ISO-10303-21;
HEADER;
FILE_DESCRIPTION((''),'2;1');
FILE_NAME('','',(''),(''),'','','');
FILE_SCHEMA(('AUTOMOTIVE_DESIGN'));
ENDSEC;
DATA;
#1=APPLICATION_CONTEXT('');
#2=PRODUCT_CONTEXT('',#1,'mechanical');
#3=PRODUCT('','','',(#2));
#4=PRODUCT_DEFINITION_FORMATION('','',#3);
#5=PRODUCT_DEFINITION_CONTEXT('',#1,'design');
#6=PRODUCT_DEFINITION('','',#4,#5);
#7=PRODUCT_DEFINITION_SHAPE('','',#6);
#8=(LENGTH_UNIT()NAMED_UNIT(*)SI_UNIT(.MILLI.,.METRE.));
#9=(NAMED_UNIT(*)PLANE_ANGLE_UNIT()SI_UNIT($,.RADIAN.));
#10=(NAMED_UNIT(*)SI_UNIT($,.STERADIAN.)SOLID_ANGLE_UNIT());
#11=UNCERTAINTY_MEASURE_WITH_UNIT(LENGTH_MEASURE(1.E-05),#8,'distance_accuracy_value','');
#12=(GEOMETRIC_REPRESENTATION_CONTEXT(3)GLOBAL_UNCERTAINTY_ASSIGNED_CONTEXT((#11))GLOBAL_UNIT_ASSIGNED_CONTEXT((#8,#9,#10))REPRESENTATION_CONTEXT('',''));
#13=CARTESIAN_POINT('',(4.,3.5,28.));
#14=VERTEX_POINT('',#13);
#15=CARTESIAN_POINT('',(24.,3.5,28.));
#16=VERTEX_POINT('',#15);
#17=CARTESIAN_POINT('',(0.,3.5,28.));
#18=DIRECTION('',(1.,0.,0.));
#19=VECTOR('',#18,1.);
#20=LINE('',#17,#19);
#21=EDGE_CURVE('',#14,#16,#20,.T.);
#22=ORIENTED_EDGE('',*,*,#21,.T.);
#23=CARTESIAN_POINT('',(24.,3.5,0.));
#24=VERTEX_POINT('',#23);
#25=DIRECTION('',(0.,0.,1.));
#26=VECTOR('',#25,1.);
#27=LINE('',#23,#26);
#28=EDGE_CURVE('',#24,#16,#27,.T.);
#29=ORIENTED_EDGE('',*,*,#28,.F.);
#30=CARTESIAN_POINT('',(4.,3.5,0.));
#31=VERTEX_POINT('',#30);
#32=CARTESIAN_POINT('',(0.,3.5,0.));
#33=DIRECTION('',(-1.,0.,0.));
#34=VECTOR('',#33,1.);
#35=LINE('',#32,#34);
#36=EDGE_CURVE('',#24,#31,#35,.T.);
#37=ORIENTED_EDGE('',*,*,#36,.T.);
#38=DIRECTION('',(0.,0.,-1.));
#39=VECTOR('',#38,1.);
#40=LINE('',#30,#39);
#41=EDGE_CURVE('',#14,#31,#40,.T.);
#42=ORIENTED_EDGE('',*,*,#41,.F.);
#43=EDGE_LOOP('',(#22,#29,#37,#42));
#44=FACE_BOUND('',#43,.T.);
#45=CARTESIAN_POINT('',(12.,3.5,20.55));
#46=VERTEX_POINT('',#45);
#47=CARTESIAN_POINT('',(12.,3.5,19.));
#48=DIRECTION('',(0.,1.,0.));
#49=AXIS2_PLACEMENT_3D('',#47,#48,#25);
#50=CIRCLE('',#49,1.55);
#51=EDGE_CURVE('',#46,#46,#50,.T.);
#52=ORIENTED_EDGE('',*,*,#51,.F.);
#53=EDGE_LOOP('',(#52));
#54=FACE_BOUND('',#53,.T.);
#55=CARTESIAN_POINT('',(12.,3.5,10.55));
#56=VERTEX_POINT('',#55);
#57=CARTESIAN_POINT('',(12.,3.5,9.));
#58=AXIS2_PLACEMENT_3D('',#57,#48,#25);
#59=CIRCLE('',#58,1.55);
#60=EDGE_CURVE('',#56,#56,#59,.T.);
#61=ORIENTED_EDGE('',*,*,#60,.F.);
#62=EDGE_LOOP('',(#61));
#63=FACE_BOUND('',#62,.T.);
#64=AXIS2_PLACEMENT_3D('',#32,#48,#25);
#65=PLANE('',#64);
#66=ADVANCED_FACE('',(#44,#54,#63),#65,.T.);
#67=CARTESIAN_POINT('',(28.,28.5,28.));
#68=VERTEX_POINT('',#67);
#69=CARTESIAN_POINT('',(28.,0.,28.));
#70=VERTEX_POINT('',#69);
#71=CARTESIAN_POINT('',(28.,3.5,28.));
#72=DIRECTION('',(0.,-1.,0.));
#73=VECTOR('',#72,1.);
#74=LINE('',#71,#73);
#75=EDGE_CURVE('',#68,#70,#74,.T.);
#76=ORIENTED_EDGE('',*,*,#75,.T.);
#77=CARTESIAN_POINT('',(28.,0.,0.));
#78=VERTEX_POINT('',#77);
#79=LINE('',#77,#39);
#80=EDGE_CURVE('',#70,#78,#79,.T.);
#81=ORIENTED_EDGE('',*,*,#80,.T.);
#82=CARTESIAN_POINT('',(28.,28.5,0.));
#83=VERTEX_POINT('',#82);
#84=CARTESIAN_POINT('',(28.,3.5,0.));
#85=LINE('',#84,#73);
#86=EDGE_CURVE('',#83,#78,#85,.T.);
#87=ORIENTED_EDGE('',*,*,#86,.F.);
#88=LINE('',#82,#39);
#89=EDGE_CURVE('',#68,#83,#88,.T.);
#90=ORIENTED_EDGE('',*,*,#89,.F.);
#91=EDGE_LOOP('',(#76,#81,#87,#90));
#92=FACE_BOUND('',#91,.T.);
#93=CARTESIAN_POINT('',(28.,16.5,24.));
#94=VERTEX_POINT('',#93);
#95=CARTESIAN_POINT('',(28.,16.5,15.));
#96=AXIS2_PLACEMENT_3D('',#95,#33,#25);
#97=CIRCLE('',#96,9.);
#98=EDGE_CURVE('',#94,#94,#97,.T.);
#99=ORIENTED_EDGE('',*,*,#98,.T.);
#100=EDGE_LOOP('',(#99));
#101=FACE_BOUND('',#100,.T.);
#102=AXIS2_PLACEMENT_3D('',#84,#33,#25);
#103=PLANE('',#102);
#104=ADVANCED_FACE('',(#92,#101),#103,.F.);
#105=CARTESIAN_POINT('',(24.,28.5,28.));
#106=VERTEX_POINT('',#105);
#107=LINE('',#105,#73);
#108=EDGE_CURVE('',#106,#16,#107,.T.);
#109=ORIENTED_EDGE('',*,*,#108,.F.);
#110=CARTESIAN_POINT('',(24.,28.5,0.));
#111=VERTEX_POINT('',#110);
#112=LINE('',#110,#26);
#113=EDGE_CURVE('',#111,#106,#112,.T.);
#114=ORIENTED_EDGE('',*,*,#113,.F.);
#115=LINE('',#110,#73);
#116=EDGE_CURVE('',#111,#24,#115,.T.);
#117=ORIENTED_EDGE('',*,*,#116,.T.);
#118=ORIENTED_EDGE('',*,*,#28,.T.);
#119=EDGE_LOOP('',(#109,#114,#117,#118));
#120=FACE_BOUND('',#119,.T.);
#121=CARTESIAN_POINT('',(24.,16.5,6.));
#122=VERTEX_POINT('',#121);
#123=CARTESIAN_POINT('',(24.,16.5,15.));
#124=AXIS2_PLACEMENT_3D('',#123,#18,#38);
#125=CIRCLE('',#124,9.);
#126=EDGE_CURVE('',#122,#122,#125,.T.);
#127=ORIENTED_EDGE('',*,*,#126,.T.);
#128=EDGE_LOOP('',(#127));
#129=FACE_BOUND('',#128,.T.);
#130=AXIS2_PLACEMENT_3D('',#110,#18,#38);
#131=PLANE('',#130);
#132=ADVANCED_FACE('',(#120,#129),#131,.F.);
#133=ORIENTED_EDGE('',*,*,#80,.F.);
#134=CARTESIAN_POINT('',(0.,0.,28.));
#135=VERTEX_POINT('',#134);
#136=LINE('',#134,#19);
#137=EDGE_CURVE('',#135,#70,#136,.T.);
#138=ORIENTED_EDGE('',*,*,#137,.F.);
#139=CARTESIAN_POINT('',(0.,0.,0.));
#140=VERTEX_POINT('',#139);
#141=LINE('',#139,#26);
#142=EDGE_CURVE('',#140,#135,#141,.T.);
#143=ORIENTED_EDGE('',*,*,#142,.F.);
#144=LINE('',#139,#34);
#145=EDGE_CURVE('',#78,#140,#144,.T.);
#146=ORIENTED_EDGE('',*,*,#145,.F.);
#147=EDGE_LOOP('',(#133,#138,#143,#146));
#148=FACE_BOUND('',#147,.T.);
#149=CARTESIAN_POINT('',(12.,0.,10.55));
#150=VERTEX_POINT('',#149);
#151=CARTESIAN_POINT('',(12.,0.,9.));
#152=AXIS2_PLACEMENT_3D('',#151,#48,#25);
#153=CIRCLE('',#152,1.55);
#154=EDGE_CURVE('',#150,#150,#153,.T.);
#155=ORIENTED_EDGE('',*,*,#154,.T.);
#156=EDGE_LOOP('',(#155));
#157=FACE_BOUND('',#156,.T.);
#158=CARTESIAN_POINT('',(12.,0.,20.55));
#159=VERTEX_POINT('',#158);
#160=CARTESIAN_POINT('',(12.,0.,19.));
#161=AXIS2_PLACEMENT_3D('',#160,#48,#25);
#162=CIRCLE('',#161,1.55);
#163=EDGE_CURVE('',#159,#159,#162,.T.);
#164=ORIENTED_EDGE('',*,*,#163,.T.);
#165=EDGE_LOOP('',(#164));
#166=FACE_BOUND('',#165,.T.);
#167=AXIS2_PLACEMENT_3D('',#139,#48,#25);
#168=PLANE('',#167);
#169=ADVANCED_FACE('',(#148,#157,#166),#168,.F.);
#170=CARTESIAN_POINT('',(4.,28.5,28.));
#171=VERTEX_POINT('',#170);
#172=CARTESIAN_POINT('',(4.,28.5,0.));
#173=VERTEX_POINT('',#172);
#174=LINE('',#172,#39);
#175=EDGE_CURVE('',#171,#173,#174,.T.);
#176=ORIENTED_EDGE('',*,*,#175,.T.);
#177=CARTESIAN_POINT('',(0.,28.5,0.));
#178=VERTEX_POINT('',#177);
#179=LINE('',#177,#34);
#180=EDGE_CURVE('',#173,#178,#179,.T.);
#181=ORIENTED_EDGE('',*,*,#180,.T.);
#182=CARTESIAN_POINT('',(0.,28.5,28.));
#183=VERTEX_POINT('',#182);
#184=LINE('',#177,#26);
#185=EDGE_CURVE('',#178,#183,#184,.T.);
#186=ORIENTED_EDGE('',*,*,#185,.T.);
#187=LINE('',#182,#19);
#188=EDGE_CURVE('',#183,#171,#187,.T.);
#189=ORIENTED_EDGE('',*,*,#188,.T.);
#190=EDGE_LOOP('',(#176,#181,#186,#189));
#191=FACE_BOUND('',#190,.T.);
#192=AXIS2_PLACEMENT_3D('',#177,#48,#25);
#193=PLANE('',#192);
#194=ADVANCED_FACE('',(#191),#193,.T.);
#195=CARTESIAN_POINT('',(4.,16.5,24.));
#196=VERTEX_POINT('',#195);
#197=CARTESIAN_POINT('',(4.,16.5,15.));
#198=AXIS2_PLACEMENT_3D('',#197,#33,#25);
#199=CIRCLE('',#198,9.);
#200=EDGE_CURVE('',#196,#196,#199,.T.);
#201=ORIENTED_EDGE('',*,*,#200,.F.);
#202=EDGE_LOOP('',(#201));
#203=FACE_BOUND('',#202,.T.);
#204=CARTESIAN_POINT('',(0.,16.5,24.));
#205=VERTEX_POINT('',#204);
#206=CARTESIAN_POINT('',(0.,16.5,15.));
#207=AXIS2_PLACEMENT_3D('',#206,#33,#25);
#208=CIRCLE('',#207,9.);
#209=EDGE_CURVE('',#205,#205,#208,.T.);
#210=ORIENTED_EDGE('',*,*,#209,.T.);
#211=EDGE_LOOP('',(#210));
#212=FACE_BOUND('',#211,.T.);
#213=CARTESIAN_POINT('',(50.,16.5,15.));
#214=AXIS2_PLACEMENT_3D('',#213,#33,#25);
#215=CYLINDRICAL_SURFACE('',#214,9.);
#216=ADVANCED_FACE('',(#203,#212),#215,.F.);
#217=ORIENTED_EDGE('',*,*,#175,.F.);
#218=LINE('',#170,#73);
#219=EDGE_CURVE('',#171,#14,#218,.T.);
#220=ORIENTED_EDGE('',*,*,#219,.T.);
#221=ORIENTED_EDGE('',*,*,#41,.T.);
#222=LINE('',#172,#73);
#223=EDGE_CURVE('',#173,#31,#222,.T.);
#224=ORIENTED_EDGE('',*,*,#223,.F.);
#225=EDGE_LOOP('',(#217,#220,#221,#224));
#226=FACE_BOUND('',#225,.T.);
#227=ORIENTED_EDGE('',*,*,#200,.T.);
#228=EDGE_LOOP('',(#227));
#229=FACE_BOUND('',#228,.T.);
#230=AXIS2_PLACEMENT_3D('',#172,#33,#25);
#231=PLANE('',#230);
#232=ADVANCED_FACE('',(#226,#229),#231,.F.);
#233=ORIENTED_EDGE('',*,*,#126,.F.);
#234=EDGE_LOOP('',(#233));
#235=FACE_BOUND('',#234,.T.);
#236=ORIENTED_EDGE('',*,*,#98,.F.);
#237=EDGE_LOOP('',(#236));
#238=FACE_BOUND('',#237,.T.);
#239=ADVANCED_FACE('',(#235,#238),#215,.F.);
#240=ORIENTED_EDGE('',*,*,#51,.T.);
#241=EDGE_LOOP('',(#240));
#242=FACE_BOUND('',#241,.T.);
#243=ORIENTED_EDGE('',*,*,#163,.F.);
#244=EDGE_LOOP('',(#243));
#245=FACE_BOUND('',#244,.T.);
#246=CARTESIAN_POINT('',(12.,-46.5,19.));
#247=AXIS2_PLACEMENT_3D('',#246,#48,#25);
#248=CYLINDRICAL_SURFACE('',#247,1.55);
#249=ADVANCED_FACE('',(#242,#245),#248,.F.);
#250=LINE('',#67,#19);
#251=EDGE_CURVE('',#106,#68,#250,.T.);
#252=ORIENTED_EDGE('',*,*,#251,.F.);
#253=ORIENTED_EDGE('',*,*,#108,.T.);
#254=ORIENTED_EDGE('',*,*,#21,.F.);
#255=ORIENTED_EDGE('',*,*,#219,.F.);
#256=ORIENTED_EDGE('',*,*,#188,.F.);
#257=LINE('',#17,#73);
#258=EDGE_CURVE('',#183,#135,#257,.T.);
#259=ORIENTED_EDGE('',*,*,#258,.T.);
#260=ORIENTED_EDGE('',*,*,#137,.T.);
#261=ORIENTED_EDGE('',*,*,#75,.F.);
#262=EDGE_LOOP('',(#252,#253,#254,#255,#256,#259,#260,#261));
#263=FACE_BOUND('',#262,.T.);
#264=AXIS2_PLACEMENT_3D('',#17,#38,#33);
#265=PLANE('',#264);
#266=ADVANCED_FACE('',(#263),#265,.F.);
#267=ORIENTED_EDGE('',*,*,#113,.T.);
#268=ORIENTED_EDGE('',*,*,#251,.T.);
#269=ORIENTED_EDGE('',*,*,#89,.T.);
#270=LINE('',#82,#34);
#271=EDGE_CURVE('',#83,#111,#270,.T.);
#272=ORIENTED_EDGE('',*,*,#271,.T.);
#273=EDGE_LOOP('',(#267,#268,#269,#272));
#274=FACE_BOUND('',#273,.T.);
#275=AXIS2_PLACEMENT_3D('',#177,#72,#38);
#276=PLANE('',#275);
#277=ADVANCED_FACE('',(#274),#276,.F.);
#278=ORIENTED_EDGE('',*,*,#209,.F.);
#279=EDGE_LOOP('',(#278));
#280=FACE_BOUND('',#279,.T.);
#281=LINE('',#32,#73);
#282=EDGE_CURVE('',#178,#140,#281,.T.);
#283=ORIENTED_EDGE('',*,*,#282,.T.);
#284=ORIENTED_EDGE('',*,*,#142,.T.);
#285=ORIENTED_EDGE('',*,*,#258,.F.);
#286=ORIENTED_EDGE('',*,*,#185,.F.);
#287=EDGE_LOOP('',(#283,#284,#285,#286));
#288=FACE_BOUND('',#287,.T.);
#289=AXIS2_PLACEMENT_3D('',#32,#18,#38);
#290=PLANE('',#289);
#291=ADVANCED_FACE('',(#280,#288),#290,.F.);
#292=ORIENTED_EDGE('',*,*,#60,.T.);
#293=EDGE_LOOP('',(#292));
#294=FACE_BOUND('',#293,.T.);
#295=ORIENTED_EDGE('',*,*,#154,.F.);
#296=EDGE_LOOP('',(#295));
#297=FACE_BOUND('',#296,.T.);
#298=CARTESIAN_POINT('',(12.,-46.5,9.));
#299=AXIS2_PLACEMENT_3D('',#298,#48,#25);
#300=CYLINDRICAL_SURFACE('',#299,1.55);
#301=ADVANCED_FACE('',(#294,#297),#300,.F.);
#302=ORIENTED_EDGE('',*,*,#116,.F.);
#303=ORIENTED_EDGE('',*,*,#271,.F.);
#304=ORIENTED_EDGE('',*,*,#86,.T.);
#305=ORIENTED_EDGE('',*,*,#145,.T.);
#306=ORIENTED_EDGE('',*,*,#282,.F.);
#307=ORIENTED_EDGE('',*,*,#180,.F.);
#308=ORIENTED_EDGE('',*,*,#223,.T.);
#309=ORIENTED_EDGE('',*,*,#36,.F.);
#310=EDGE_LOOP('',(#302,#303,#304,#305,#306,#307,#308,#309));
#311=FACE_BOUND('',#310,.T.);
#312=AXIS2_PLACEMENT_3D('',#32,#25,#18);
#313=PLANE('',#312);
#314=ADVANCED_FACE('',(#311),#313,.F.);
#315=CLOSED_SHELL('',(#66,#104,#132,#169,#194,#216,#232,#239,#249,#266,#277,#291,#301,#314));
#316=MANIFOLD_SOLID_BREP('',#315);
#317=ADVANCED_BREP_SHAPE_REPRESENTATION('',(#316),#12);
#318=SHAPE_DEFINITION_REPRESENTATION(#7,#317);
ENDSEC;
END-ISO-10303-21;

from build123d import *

# Parameters (mm, degrees)
SKETCH_1_W          = 28
SKETCH_1_H          = 28
EXTRUDE_1_DEPTH     = 3.5
SKETCH_2_W          = 4
SKETCH_2_H          = 28
EXTRUDE_2_DEPTH     = 25
SKETCH_3_R          = 9
CUT_EXTRUDE_1_DEPTH = 50
SKETCH_4_R          = 1.55
CUT_EXTRUDE_2_DEPTH = 50


with BuildPart() as part:
    # 草图1 → 凸台-拉伸1 (new body)
    with BuildSketch(Plane(origin=(0, 0, 0), x_dir=(1, 0, 0), z_dir=(0, 1, 0))):
        with Locations((14, -14)):
            Rectangle(SKETCH_1_W, SKETCH_1_H)
    extrude(amount=EXTRUDE_1_DEPTH)

    # 草图2 → 凸台-拉伸2 (add)
    with BuildSketch(Plane(origin=(0, 3.5, 0), x_dir=(1, 0, 0), z_dir=(0, 1, 0))):
        with Locations((2, -14)):
            Rectangle(SKETCH_2_W, SKETCH_2_H)
        with Locations((26, -14)):
            Rectangle(SKETCH_2_W, SKETCH_2_H)
    extrude(amount=EXTRUDE_2_DEPTH)

    # 草图3 → 切除-拉伸1 (cut)
    with BuildSketch(Plane.ZY):
        with Locations((15, 16.5)):
            Circle(SKETCH_3_R)
    extrude(amount=-CUT_EXTRUDE_1_DEPTH, mode=Mode.SUBTRACT)

    # 草图4 → 切除-拉伸2 (cut)
    with BuildSketch(Plane(origin=(0, 3.5, 0), x_dir=(1, 0, 0), z_dir=(0, 1, 0))):
        with Locations(Location((12, -19, 0), (0, 0, 270))):
            Circle(SKETCH_4_R)
        with Locations(Location((12, -9, 0), (0, 0, 270))):
            Circle(SKETCH_4_R)
    extrude(amount=-CUT_EXTRUDE_2_DEPTH, mode=Mode.SUBTRACT)


solid = part.part
